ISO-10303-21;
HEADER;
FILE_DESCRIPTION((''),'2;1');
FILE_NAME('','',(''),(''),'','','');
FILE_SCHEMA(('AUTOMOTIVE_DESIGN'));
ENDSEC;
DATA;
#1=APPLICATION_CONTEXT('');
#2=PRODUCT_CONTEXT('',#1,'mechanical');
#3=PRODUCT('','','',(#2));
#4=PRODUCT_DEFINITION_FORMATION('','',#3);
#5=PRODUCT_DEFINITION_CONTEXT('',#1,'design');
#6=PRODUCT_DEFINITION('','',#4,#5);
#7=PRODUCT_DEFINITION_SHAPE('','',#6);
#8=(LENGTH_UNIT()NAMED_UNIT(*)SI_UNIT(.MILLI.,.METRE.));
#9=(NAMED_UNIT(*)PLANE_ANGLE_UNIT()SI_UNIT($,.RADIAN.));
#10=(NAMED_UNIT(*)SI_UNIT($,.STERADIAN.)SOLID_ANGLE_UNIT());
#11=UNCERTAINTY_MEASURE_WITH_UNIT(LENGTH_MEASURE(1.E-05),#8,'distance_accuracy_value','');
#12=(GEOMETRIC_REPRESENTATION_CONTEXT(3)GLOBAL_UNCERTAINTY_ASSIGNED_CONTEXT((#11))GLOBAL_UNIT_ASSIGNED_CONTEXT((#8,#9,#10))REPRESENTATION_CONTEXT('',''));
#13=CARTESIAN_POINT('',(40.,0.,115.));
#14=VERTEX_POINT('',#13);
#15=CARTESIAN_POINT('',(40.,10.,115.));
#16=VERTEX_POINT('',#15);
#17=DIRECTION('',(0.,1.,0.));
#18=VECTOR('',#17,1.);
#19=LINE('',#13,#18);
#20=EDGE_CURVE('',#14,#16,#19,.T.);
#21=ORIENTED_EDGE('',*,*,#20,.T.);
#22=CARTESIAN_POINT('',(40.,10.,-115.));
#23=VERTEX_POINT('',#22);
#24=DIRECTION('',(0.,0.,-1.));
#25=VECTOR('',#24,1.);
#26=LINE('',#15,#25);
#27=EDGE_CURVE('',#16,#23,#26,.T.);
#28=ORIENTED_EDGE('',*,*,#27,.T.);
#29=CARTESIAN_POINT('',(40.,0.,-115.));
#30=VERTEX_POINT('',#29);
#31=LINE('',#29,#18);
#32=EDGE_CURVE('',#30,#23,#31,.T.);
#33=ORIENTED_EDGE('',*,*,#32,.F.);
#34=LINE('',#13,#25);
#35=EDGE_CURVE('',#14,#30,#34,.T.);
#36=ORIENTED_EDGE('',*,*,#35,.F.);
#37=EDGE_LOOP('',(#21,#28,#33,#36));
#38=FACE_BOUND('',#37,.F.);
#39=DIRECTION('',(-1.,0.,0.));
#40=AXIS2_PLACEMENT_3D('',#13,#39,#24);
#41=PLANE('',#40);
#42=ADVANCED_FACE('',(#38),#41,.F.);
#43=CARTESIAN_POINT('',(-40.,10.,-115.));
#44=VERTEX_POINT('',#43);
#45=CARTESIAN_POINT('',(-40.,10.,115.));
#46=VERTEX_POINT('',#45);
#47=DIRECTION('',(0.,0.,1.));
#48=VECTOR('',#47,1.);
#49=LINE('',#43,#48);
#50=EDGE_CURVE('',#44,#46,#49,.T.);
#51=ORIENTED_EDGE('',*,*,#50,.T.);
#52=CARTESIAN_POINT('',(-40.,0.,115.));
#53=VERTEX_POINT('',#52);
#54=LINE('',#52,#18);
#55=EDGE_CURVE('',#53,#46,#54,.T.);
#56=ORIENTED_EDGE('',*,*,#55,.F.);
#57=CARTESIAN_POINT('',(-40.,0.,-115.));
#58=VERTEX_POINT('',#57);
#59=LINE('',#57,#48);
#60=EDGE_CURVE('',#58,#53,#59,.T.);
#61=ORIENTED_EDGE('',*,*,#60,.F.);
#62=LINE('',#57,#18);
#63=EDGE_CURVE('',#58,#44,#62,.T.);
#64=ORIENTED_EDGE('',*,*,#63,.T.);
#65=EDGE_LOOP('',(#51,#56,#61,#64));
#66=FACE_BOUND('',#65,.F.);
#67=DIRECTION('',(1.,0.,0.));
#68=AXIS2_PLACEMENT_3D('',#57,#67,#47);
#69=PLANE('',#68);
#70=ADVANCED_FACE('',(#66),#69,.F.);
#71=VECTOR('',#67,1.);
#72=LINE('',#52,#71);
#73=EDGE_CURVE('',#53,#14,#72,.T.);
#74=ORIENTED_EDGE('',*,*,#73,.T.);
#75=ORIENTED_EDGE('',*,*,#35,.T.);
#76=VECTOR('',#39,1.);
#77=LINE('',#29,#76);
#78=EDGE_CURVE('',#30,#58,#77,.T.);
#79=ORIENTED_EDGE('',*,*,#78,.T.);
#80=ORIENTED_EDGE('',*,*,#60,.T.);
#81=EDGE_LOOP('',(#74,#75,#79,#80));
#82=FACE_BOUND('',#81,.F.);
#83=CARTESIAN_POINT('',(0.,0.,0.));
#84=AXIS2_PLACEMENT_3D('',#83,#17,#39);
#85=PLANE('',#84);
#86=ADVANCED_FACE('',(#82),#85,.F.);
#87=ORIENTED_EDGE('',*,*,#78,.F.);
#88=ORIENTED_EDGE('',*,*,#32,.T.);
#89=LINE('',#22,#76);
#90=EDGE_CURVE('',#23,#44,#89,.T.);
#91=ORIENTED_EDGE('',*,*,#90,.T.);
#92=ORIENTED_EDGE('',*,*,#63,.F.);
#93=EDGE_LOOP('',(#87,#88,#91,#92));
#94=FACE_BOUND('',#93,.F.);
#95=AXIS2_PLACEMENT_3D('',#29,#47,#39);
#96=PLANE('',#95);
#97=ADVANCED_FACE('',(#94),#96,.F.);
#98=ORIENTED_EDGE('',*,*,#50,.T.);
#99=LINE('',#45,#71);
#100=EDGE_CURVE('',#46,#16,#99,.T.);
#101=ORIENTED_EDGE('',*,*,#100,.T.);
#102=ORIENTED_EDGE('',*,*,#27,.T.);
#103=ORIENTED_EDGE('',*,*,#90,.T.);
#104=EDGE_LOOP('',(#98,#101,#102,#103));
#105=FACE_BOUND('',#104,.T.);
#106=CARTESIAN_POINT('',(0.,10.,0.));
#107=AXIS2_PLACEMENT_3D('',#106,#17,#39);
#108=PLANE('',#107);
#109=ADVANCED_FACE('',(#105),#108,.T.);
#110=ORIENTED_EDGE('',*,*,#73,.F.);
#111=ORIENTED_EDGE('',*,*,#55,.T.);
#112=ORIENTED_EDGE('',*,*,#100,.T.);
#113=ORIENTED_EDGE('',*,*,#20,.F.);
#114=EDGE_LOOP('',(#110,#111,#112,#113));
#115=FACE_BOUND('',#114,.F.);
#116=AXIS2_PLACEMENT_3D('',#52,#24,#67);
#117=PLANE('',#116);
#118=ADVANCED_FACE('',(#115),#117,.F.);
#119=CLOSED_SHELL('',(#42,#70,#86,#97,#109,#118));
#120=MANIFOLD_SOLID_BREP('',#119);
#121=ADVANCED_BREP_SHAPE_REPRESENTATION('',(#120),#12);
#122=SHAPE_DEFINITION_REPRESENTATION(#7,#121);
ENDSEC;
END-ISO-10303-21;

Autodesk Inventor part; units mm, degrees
ref_plane "YZ Plane" through (0, 0, 0) normal (1, 0, 0) x (0, 1, 0)
ref_plane "XZ Plane" through (0, 0, 0) normal (0, 1, 0) x (-1, 0, 0)
ref_plane "XY Plane" through (0, 0, 0) normal (0, 0, 1) x (1, 0, 0)
sketch "草图1" plane through (0, 0, 0) normal (0, 1, 0) x (-1, 0, 0)
  line L0 (40, 115) -> (-40, 115)
  line L1 (-40, 115) -> (-40, -115)
  line L2 (-40, -115) -> (40, -115)
  line L3 (40, -115) -> (40, 115)
  line L4 (0, 5.532) -> (0, -5.7915)
  line L5 (3, 0) -> (-2, 0)
  point P0 (0, 0)
  dimension "d0" = 80
  dimension "d1" = 230
extrude "拉伸1" add sketch "草图1" along normal blind 10
properties part number "left"
